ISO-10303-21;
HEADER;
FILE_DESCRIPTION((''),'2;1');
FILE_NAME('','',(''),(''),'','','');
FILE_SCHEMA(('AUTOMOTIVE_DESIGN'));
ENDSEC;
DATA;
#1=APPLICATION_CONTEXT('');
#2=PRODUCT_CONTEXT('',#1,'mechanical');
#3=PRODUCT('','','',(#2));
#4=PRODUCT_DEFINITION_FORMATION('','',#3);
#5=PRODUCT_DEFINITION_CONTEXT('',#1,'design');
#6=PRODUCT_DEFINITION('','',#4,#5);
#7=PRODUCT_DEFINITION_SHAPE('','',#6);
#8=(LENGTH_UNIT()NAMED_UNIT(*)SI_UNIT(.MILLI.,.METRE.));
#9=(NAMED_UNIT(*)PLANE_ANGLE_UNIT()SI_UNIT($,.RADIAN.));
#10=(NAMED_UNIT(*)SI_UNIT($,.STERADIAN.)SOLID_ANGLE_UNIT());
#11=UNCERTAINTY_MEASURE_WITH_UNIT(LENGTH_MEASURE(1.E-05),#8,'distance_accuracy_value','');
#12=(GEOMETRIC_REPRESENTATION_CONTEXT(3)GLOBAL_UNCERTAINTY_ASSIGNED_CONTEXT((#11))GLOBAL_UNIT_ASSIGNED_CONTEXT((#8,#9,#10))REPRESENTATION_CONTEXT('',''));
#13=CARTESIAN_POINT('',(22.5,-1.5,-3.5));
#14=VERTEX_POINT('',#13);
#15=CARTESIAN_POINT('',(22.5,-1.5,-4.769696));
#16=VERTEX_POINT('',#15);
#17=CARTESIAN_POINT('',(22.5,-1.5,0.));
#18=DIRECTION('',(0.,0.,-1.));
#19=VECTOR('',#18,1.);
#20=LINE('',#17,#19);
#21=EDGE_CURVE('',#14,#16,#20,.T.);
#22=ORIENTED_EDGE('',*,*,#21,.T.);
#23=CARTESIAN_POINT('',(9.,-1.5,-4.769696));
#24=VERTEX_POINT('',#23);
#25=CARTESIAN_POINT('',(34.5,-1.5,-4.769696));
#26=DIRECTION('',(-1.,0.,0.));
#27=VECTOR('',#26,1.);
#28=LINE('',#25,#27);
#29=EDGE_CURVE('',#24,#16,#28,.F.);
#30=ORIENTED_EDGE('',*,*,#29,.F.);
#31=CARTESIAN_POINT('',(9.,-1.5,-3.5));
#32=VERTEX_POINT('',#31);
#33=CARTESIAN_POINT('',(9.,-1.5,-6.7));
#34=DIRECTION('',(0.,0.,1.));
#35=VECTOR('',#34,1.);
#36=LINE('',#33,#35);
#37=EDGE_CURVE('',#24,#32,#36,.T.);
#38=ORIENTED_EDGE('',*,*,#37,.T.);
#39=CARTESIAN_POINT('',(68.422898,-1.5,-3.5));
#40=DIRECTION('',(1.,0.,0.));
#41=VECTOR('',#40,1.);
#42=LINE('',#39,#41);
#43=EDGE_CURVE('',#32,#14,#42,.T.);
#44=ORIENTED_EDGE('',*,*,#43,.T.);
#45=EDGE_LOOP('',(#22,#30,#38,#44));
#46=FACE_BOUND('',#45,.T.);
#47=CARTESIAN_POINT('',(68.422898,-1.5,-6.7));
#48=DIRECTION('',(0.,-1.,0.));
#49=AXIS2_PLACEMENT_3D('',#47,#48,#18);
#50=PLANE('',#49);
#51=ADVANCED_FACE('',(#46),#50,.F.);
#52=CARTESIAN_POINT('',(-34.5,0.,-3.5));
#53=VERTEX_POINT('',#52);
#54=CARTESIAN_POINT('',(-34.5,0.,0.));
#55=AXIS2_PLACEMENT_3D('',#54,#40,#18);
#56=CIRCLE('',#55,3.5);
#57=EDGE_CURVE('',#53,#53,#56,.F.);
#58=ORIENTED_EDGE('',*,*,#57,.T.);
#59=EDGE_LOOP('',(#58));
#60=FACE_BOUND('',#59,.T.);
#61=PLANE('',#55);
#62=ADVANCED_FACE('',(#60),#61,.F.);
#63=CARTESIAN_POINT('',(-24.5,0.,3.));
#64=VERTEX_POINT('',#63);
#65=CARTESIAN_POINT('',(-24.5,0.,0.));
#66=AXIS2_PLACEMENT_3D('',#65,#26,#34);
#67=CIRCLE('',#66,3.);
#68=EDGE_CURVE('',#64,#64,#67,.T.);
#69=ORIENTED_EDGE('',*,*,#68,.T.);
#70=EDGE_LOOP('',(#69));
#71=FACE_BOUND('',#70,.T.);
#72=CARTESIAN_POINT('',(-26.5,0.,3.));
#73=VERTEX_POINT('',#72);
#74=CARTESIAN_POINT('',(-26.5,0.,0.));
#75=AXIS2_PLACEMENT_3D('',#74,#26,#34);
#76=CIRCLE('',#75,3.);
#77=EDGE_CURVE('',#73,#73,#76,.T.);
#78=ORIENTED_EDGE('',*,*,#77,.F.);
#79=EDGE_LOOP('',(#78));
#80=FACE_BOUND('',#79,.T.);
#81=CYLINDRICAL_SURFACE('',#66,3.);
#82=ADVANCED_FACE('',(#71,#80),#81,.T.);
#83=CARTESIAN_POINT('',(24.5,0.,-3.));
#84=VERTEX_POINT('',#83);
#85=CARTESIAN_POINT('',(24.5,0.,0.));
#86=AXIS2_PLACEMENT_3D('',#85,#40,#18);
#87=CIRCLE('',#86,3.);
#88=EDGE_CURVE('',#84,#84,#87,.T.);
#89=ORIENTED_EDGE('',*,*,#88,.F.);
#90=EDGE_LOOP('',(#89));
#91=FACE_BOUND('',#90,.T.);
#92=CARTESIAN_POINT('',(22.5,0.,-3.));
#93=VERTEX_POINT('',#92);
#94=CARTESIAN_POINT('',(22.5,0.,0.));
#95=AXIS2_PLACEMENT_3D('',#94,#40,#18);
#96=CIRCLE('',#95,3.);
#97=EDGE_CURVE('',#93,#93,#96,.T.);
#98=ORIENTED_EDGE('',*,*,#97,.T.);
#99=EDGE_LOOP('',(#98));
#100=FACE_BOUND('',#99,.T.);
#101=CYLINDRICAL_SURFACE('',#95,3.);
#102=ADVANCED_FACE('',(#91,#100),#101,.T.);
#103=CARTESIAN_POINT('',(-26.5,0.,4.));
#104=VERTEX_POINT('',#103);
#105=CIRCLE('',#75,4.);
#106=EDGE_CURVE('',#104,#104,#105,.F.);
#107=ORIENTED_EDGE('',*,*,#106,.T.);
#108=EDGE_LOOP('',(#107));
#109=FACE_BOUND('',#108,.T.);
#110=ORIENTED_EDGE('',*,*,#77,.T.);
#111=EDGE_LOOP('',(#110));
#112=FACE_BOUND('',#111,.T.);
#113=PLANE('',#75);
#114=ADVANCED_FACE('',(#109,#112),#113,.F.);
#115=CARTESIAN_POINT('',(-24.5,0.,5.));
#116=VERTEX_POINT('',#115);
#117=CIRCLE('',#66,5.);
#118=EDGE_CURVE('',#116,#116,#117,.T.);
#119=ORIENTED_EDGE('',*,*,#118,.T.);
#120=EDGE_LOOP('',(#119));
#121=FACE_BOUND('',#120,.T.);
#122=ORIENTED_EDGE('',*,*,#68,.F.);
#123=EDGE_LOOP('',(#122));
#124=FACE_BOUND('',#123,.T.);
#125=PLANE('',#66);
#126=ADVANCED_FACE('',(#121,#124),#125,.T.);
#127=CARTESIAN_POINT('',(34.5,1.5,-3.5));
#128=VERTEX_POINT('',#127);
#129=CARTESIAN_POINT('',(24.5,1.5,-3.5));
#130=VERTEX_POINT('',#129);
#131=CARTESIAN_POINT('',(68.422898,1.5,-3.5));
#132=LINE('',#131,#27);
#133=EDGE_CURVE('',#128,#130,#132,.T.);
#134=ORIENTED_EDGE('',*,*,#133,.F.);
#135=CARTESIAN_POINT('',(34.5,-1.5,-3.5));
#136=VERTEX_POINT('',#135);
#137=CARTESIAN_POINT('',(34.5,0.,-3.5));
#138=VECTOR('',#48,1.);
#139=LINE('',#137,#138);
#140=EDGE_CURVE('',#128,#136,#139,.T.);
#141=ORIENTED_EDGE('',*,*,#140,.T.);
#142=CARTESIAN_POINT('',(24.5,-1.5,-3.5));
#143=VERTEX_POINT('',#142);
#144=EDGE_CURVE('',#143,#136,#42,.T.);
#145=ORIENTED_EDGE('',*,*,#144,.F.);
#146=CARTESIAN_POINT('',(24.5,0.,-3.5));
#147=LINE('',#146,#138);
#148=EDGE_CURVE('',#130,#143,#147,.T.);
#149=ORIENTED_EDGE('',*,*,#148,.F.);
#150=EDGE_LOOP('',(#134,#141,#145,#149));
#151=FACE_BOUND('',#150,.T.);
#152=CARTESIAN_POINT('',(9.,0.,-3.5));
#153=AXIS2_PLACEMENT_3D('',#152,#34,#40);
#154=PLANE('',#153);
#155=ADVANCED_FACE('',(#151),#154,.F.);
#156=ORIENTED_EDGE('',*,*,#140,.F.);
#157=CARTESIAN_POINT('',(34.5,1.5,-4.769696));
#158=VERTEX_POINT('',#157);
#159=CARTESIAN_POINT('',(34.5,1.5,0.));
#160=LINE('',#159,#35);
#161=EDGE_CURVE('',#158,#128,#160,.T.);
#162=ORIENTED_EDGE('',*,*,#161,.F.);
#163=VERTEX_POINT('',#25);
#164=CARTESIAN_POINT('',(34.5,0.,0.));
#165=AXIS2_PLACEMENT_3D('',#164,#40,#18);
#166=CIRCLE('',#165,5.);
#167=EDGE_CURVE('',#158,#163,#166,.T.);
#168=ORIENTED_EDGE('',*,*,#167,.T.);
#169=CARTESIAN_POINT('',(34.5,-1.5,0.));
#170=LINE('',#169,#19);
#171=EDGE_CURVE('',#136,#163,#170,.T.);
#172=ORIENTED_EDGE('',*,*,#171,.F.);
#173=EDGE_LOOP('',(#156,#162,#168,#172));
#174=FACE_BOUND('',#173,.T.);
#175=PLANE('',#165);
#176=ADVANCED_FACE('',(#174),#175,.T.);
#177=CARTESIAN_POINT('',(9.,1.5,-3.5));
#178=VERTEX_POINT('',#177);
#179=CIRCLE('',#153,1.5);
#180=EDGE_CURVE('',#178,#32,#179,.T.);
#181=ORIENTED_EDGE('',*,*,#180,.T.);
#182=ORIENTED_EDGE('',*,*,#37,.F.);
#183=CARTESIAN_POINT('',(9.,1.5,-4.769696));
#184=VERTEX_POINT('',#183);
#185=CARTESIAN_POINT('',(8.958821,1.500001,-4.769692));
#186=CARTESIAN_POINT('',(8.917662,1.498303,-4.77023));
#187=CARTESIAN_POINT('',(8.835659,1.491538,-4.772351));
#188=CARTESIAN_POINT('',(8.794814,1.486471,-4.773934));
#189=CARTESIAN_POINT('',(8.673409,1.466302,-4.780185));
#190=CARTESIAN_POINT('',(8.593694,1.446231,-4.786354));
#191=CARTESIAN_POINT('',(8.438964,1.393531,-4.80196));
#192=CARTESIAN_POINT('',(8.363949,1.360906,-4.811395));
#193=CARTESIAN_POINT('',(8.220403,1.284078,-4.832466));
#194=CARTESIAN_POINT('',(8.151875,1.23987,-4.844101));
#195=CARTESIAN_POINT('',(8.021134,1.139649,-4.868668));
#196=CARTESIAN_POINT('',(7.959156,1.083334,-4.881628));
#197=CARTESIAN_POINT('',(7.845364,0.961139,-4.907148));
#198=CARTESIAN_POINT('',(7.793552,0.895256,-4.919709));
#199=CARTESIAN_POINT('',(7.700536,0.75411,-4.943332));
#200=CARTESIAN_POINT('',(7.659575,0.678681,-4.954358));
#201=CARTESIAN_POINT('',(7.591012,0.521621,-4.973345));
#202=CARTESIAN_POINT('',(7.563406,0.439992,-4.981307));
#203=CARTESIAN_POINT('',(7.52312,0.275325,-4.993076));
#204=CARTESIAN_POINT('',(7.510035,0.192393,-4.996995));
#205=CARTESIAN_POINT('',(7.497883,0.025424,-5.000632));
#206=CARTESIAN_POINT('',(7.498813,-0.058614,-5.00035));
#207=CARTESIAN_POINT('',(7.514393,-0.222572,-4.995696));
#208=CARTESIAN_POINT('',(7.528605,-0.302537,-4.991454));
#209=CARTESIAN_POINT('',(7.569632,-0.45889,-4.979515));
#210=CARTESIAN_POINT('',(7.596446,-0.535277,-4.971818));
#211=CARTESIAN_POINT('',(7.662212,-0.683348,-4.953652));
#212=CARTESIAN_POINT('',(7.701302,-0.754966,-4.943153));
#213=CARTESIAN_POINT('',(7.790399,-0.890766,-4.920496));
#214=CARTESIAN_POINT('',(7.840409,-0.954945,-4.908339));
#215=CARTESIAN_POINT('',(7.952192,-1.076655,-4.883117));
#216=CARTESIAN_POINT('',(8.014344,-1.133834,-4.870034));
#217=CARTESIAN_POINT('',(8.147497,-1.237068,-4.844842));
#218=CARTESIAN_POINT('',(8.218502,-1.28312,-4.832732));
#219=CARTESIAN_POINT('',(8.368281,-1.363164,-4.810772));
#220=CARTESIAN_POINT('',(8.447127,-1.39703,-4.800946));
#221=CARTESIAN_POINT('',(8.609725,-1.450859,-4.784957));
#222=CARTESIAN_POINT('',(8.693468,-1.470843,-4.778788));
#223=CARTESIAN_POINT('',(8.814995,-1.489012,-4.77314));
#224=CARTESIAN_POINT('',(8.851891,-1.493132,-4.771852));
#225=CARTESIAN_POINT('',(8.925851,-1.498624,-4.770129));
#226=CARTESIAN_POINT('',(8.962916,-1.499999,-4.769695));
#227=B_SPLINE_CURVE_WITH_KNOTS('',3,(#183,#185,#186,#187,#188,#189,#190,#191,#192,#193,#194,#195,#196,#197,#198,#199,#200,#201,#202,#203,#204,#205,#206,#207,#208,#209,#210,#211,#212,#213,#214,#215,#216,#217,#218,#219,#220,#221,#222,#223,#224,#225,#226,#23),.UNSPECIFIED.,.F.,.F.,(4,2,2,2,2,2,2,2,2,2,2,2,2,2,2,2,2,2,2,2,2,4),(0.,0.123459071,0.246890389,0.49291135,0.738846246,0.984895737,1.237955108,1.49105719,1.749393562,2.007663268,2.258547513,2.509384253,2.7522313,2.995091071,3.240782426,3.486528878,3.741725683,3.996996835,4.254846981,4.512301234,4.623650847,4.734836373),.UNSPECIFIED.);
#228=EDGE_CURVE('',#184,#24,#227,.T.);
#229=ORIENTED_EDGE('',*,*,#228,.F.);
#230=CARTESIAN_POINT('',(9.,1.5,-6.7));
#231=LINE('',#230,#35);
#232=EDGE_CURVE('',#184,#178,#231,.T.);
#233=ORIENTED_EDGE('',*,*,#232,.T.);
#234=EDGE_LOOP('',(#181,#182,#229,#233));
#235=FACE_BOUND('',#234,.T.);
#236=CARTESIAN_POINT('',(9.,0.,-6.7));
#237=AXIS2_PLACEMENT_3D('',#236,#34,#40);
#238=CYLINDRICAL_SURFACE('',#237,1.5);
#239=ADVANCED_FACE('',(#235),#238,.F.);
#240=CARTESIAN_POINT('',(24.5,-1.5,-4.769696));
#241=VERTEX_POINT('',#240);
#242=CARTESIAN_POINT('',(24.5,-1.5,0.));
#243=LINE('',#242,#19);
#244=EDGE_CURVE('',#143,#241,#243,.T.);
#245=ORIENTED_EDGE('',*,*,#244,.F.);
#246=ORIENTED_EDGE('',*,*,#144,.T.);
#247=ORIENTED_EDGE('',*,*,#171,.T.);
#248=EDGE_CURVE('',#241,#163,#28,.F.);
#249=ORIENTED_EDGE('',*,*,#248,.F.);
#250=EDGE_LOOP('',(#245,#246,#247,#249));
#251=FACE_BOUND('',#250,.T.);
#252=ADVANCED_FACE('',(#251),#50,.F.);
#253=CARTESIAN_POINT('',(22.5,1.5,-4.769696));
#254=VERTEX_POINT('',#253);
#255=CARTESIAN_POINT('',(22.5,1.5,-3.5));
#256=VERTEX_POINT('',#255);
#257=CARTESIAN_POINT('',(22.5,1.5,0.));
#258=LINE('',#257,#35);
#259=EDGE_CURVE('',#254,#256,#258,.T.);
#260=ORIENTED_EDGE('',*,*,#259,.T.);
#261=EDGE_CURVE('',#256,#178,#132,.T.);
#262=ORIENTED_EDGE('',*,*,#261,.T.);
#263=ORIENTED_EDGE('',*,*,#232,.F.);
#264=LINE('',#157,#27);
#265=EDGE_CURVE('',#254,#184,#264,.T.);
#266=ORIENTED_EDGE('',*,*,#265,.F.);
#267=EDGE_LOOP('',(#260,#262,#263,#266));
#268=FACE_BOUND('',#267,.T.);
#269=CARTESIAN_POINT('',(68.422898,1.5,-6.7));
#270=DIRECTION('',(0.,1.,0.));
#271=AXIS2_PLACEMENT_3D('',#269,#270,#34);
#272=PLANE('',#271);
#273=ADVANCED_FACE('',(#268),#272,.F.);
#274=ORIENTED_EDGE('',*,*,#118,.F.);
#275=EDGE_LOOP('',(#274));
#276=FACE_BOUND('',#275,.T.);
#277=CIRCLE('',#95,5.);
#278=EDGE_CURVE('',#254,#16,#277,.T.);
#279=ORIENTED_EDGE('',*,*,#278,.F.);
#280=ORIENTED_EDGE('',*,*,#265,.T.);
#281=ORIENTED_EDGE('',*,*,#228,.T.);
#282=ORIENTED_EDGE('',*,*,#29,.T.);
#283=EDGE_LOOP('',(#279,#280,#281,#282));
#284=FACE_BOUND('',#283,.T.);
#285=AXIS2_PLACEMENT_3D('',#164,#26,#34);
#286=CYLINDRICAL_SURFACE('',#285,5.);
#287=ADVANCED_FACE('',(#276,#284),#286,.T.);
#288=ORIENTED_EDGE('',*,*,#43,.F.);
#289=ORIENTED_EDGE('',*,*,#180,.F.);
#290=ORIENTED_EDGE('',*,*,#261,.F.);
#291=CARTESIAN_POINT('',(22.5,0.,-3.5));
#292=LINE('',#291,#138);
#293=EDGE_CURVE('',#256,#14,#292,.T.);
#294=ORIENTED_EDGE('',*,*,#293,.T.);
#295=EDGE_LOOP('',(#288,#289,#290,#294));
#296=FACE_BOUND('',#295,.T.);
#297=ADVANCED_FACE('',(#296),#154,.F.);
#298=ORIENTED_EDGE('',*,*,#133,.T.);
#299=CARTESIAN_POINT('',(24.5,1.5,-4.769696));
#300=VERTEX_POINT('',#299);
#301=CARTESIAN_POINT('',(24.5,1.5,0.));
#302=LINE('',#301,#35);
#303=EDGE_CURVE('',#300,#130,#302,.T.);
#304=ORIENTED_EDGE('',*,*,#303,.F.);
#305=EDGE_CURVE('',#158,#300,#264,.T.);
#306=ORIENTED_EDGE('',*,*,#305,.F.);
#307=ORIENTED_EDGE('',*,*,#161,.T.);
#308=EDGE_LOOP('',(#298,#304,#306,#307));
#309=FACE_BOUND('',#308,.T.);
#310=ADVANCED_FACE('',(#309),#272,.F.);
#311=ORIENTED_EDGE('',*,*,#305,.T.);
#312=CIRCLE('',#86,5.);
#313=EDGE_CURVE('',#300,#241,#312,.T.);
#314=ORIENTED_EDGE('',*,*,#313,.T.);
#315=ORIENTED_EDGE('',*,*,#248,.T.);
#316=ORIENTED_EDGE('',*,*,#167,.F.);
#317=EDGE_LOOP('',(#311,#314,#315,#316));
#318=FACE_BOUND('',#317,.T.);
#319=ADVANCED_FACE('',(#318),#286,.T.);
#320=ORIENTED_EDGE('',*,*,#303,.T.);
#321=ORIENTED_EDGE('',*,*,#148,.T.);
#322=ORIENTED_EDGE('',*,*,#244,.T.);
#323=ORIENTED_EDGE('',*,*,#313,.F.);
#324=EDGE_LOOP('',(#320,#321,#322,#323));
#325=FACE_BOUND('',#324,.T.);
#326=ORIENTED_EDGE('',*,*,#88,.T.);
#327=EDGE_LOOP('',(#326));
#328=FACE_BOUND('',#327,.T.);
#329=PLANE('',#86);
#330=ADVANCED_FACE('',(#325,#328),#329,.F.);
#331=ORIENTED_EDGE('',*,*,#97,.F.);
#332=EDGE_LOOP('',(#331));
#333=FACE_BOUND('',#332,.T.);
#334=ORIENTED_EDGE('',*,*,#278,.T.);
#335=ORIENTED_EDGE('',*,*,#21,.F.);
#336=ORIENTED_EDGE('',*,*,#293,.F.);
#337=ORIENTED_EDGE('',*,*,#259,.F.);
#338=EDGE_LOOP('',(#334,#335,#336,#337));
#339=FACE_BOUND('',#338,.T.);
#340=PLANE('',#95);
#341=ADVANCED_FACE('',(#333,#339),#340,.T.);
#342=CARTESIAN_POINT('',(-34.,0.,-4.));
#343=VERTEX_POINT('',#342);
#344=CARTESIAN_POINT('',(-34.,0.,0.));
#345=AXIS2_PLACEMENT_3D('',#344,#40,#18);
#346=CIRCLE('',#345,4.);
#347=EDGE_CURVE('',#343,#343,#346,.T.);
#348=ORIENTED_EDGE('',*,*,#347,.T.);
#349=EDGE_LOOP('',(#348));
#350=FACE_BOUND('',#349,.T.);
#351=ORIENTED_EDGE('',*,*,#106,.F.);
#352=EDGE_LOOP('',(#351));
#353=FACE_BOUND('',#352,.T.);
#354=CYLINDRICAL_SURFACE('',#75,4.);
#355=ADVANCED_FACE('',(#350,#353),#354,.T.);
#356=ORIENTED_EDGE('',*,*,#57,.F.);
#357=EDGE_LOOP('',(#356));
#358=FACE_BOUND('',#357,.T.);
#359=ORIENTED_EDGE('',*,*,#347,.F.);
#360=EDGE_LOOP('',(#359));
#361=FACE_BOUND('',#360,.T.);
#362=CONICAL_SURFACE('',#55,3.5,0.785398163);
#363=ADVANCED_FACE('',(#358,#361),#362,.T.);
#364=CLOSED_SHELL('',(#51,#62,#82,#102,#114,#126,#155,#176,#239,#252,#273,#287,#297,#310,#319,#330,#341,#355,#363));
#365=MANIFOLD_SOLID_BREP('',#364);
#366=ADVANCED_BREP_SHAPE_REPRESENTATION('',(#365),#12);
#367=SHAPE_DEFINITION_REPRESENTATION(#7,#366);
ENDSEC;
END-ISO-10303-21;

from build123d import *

# Parameters (mm, degrees)
SKETCH1_R           = 5
BOSS_EXTRUDE1_DEPTH = 34.5
CUT_EXTRUDE1_START  = -10
SKETCH2_R           = 5
SKETCH2_R_2         = 3
CUT_EXTRUDE1_DEPTH  = 2
CUT_EXTRUDE4_START  = -3.5
CUT_EXTRUDE4_DEPTH  = 3.2
CHAMFER1_SIZE       = 0.5
SKETCH4_OUTSIDE_W   = 26.086
SKETCH4_OUTSIDE_H   = 26.086
SKETCH4_OUTSIDE_R   = 4
CUT_EXTRUDE5_DEPTH  = 8
CHAMFER2_SIZE       = 0.5
CUT_EXTRUDE6_START  = -8
SKETCH6_OUTSIDE_W   = 26.086
SKETCH6_OUTSIDE_H   = 26.086
SKETCH6_OUTSIDE_R   = 3
CUT_EXTRUDE6_DEPTH  = 2


with BuildPart() as part:
    # Sketch1 → Boss-Extrude1 (new body, symmetric)
    with BuildSketch(Plane(origin=(0, 0, 0), x_dir=(0, 0, -1), z_dir=(1, 0, 0))):
        Circle(SKETCH1_R)
    extrude(amount=BOSS_EXTRUDE1_DEPTH, both=True)

    # Sketch2 → Cut-Extrude1 (cut)
    with BuildSketch(Plane(origin=(34.5, 0, 0), x_dir=(0, 0, -1), z_dir=(1, 0, 0)).offset(CUT_EXTRUDE1_START)):
        Circle(SKETCH2_R)
        Circle(SKETCH2_R_2, mode=Mode.SUBTRACT)
    extrude(amount=-CUT_EXTRUDE1_DEPTH, mode=Mode.SUBTRACT)

    # Sketch3 → Cut-Extrude4 (cut)
    with BuildSketch(Plane.XY.offset(CUT_EXTRUDE4_START)):
        with BuildLine():
            Line((68.42289795, -1.5), (9, -1.5))
            ThreePointArc((9, -1.5), (7.5, 0), (9, 1.5))
            Line((9, 1.5), (68.42289795, 1.5))
            Line((68.42289795, 1.5), (68.42289795, -1.5))
        make_face()
    extrude(amount=-CUT_EXTRUDE4_DEPTH, mode=Mode.SUBTRACT)

    # Chamfer1
    chamfer1_edges = [part.edges().sort_by_distance(p)[0] for p in [
        (-34.5, 0, 5),
    ]]
    chamfer(chamfer1_edges, length=CHAMFER1_SIZE)

    # Sketch4 outside → Cut-Extrude5 (cut)
    with BuildSketch(Plane.ZY.offset(34.5)):
        Rectangle(SKETCH4_OUTSIDE_W, SKETCH4_OUTSIDE_H)
        Circle(SKETCH4_OUTSIDE_R, mode=Mode.SUBTRACT)
    extrude(amount=-CUT_EXTRUDE5_DEPTH, mode=Mode.SUBTRACT)

    # Chamfer2
    chamfer2_edges = [part.edges().sort_by_distance(p)[0] for p in [
        (-34.5, 0, -4),
    ]]
    chamfer(chamfer2_edges, length=CHAMFER2_SIZE)

    # Sketch6 outside → Cut-Extrude6 (cut)
    with BuildSketch(Plane.ZY.offset(34.5).offset(CUT_EXTRUDE6_START)):
        Rectangle(SKETCH6_OUTSIDE_W, SKETCH6_OUTSIDE_H)
        Circle(SKETCH6_OUTSIDE_R, mode=Mode.SUBTRACT)
    extrude(amount=-CUT_EXTRUDE6_DEPTH, mode=Mode.SUBTRACT)


solid = part.part
